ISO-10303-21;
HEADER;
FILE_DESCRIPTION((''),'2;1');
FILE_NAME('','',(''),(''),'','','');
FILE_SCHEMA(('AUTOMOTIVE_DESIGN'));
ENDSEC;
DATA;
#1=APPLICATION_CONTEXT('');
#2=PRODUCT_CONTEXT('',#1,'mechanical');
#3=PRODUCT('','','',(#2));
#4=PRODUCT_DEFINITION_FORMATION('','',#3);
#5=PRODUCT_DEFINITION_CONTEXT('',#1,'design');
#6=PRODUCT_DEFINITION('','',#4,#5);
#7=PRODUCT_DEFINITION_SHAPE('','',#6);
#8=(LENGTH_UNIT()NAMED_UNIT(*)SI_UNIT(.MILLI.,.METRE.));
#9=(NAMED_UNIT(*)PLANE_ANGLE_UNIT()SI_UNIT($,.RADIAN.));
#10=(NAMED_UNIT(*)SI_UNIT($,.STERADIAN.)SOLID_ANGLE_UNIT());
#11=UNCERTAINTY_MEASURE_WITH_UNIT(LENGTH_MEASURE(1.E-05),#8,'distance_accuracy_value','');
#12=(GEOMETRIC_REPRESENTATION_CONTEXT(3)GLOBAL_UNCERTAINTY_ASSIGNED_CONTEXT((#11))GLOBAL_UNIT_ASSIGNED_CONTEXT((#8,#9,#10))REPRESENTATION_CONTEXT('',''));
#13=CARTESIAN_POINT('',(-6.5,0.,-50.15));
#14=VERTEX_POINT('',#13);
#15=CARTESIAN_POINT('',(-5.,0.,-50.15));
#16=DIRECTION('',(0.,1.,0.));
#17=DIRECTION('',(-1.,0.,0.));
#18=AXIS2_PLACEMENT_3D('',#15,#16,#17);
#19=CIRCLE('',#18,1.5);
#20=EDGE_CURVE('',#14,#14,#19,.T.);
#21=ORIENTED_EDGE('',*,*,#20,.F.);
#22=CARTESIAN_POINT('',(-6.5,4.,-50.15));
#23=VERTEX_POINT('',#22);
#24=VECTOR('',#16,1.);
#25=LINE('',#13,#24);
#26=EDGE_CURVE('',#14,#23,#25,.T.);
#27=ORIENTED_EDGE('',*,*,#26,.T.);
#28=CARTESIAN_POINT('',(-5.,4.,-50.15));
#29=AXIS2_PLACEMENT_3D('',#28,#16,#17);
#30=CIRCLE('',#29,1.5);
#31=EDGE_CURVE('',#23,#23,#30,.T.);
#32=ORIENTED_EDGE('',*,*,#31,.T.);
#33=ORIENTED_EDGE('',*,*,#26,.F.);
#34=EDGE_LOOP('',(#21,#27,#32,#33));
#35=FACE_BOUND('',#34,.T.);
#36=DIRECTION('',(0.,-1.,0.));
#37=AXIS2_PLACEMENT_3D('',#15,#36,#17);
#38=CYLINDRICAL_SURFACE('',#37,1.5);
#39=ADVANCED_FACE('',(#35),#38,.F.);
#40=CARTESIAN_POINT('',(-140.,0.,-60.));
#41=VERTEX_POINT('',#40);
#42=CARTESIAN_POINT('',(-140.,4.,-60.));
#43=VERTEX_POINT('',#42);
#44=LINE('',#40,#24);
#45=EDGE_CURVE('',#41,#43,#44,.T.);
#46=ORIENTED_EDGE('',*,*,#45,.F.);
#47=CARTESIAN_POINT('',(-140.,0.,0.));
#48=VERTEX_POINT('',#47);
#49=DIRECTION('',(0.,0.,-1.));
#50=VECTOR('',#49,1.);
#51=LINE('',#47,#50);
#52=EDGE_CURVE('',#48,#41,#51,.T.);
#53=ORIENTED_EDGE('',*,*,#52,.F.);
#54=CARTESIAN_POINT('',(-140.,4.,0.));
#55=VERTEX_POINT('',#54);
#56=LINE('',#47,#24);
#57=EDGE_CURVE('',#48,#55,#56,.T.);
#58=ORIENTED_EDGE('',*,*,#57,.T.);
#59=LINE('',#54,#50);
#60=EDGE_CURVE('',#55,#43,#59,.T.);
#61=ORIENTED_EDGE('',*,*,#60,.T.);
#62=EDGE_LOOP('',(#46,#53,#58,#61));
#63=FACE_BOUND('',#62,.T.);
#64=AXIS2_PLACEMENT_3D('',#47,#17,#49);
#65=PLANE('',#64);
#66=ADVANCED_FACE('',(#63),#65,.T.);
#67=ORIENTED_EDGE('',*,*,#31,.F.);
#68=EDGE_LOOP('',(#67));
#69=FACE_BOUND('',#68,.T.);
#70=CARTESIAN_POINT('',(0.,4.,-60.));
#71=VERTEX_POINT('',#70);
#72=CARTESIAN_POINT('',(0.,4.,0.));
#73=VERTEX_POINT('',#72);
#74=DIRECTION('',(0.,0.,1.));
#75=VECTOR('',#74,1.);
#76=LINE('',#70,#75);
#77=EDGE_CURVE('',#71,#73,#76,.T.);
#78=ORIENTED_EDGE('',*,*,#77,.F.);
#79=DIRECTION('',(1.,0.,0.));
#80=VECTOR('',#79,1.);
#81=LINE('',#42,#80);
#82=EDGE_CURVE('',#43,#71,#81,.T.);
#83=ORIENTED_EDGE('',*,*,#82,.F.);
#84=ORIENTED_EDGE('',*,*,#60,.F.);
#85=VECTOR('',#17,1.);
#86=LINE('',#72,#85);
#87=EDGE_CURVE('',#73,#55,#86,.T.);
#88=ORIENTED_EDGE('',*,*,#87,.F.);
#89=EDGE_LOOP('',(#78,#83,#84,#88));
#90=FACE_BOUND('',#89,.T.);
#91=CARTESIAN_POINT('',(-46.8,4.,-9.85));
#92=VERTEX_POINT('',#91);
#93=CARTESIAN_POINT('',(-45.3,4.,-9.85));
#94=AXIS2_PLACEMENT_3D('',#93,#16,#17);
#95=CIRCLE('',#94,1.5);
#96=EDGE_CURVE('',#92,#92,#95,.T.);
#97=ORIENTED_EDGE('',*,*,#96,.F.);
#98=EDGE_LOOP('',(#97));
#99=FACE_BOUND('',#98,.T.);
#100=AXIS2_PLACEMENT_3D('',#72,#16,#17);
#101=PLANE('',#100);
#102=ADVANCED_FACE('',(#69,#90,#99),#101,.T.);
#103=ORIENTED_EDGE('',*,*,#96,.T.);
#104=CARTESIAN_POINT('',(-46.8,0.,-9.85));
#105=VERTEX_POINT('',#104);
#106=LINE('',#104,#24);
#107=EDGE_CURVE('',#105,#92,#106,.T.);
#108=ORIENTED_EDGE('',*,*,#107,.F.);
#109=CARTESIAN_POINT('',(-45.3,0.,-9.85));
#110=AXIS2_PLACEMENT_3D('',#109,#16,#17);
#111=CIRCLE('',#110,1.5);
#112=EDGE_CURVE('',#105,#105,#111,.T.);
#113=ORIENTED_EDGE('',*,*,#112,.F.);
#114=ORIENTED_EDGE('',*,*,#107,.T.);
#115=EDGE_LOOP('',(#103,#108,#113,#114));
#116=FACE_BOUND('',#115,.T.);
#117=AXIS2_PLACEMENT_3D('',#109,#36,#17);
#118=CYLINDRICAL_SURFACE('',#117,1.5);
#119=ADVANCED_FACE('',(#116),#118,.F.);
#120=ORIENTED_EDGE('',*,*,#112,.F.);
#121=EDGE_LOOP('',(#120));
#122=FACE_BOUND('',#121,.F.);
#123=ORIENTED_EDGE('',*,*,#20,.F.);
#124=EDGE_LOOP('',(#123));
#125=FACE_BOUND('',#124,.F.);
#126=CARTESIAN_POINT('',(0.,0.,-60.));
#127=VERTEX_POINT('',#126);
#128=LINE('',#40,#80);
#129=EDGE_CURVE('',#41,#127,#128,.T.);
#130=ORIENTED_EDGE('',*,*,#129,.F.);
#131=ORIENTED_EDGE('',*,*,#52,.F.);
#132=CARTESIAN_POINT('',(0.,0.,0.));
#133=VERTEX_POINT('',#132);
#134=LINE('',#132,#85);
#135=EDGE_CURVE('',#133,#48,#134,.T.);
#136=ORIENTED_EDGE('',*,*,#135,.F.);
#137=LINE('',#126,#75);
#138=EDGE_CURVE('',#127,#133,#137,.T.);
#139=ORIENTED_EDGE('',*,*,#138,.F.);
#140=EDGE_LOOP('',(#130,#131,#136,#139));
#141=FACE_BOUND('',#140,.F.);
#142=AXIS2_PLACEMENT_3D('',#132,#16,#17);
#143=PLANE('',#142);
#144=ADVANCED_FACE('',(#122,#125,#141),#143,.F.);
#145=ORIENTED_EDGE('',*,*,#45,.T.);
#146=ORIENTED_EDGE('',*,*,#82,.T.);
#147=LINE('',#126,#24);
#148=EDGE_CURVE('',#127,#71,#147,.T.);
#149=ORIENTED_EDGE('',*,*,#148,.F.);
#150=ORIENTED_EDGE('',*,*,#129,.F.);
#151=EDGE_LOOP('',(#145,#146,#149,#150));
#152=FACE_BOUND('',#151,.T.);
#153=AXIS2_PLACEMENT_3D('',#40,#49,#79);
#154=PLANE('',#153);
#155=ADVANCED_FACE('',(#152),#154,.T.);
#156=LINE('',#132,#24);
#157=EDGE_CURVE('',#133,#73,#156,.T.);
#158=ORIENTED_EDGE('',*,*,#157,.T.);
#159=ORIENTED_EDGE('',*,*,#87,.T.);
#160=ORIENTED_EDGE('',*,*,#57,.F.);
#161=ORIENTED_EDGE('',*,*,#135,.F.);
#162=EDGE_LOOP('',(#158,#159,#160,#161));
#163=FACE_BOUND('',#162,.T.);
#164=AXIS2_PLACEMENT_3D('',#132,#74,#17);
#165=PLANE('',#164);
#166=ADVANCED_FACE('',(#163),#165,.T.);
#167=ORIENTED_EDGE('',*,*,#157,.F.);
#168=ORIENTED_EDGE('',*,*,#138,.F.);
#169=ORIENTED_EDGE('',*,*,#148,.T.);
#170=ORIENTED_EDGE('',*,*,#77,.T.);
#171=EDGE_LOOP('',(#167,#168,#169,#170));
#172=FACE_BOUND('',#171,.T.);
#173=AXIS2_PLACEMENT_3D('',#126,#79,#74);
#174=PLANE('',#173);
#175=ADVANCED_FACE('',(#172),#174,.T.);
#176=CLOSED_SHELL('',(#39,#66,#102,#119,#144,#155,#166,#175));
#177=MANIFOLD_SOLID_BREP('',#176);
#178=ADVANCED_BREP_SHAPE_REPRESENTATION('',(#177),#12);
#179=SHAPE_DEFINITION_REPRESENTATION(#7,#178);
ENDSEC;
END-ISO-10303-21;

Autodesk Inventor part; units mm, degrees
ref_plane "YZ Plane" through (0, 0, 0) normal (1, 0, 0) x (0, 1, 0)
ref_plane "XZ Plane" through (0, 0, 0) normal (0, 1, 0) x (-1, 0, 0)
ref_plane "XY Plane" through (0, 0, 0) normal (0, 0, 1) x (1, 0, 0)
sketch "Sketch1" plane through (0, 0, 0) normal (0, 1, 0) x (-1, 0, 0)
  line L0 (0, 0) -> (140, 0)
  line L1 (140, 0) -> (140, -60)
  line L2 (140, -60) -> (0, -60)
  line L3 (0, -60) -> (0, 0)
  circle A0 centre (45.3, -9.85) radius 1.5
  circle A1 centre (5, -50.15) radius 1.5
  dimension "d0" = 140
  dimension "d1" = 60
  dimension "d2" = 3
  dimension "d4" = 3
  dimension "d5" = 9.85
  dimension "d6" = 5
  dimension "d7" = 9.85
  dimension "d8" = 45.3
extrude "Extrusion1" add sketch "Sketch1" along normal blind 4
properties part number "Cooling Fan Base Plate"
